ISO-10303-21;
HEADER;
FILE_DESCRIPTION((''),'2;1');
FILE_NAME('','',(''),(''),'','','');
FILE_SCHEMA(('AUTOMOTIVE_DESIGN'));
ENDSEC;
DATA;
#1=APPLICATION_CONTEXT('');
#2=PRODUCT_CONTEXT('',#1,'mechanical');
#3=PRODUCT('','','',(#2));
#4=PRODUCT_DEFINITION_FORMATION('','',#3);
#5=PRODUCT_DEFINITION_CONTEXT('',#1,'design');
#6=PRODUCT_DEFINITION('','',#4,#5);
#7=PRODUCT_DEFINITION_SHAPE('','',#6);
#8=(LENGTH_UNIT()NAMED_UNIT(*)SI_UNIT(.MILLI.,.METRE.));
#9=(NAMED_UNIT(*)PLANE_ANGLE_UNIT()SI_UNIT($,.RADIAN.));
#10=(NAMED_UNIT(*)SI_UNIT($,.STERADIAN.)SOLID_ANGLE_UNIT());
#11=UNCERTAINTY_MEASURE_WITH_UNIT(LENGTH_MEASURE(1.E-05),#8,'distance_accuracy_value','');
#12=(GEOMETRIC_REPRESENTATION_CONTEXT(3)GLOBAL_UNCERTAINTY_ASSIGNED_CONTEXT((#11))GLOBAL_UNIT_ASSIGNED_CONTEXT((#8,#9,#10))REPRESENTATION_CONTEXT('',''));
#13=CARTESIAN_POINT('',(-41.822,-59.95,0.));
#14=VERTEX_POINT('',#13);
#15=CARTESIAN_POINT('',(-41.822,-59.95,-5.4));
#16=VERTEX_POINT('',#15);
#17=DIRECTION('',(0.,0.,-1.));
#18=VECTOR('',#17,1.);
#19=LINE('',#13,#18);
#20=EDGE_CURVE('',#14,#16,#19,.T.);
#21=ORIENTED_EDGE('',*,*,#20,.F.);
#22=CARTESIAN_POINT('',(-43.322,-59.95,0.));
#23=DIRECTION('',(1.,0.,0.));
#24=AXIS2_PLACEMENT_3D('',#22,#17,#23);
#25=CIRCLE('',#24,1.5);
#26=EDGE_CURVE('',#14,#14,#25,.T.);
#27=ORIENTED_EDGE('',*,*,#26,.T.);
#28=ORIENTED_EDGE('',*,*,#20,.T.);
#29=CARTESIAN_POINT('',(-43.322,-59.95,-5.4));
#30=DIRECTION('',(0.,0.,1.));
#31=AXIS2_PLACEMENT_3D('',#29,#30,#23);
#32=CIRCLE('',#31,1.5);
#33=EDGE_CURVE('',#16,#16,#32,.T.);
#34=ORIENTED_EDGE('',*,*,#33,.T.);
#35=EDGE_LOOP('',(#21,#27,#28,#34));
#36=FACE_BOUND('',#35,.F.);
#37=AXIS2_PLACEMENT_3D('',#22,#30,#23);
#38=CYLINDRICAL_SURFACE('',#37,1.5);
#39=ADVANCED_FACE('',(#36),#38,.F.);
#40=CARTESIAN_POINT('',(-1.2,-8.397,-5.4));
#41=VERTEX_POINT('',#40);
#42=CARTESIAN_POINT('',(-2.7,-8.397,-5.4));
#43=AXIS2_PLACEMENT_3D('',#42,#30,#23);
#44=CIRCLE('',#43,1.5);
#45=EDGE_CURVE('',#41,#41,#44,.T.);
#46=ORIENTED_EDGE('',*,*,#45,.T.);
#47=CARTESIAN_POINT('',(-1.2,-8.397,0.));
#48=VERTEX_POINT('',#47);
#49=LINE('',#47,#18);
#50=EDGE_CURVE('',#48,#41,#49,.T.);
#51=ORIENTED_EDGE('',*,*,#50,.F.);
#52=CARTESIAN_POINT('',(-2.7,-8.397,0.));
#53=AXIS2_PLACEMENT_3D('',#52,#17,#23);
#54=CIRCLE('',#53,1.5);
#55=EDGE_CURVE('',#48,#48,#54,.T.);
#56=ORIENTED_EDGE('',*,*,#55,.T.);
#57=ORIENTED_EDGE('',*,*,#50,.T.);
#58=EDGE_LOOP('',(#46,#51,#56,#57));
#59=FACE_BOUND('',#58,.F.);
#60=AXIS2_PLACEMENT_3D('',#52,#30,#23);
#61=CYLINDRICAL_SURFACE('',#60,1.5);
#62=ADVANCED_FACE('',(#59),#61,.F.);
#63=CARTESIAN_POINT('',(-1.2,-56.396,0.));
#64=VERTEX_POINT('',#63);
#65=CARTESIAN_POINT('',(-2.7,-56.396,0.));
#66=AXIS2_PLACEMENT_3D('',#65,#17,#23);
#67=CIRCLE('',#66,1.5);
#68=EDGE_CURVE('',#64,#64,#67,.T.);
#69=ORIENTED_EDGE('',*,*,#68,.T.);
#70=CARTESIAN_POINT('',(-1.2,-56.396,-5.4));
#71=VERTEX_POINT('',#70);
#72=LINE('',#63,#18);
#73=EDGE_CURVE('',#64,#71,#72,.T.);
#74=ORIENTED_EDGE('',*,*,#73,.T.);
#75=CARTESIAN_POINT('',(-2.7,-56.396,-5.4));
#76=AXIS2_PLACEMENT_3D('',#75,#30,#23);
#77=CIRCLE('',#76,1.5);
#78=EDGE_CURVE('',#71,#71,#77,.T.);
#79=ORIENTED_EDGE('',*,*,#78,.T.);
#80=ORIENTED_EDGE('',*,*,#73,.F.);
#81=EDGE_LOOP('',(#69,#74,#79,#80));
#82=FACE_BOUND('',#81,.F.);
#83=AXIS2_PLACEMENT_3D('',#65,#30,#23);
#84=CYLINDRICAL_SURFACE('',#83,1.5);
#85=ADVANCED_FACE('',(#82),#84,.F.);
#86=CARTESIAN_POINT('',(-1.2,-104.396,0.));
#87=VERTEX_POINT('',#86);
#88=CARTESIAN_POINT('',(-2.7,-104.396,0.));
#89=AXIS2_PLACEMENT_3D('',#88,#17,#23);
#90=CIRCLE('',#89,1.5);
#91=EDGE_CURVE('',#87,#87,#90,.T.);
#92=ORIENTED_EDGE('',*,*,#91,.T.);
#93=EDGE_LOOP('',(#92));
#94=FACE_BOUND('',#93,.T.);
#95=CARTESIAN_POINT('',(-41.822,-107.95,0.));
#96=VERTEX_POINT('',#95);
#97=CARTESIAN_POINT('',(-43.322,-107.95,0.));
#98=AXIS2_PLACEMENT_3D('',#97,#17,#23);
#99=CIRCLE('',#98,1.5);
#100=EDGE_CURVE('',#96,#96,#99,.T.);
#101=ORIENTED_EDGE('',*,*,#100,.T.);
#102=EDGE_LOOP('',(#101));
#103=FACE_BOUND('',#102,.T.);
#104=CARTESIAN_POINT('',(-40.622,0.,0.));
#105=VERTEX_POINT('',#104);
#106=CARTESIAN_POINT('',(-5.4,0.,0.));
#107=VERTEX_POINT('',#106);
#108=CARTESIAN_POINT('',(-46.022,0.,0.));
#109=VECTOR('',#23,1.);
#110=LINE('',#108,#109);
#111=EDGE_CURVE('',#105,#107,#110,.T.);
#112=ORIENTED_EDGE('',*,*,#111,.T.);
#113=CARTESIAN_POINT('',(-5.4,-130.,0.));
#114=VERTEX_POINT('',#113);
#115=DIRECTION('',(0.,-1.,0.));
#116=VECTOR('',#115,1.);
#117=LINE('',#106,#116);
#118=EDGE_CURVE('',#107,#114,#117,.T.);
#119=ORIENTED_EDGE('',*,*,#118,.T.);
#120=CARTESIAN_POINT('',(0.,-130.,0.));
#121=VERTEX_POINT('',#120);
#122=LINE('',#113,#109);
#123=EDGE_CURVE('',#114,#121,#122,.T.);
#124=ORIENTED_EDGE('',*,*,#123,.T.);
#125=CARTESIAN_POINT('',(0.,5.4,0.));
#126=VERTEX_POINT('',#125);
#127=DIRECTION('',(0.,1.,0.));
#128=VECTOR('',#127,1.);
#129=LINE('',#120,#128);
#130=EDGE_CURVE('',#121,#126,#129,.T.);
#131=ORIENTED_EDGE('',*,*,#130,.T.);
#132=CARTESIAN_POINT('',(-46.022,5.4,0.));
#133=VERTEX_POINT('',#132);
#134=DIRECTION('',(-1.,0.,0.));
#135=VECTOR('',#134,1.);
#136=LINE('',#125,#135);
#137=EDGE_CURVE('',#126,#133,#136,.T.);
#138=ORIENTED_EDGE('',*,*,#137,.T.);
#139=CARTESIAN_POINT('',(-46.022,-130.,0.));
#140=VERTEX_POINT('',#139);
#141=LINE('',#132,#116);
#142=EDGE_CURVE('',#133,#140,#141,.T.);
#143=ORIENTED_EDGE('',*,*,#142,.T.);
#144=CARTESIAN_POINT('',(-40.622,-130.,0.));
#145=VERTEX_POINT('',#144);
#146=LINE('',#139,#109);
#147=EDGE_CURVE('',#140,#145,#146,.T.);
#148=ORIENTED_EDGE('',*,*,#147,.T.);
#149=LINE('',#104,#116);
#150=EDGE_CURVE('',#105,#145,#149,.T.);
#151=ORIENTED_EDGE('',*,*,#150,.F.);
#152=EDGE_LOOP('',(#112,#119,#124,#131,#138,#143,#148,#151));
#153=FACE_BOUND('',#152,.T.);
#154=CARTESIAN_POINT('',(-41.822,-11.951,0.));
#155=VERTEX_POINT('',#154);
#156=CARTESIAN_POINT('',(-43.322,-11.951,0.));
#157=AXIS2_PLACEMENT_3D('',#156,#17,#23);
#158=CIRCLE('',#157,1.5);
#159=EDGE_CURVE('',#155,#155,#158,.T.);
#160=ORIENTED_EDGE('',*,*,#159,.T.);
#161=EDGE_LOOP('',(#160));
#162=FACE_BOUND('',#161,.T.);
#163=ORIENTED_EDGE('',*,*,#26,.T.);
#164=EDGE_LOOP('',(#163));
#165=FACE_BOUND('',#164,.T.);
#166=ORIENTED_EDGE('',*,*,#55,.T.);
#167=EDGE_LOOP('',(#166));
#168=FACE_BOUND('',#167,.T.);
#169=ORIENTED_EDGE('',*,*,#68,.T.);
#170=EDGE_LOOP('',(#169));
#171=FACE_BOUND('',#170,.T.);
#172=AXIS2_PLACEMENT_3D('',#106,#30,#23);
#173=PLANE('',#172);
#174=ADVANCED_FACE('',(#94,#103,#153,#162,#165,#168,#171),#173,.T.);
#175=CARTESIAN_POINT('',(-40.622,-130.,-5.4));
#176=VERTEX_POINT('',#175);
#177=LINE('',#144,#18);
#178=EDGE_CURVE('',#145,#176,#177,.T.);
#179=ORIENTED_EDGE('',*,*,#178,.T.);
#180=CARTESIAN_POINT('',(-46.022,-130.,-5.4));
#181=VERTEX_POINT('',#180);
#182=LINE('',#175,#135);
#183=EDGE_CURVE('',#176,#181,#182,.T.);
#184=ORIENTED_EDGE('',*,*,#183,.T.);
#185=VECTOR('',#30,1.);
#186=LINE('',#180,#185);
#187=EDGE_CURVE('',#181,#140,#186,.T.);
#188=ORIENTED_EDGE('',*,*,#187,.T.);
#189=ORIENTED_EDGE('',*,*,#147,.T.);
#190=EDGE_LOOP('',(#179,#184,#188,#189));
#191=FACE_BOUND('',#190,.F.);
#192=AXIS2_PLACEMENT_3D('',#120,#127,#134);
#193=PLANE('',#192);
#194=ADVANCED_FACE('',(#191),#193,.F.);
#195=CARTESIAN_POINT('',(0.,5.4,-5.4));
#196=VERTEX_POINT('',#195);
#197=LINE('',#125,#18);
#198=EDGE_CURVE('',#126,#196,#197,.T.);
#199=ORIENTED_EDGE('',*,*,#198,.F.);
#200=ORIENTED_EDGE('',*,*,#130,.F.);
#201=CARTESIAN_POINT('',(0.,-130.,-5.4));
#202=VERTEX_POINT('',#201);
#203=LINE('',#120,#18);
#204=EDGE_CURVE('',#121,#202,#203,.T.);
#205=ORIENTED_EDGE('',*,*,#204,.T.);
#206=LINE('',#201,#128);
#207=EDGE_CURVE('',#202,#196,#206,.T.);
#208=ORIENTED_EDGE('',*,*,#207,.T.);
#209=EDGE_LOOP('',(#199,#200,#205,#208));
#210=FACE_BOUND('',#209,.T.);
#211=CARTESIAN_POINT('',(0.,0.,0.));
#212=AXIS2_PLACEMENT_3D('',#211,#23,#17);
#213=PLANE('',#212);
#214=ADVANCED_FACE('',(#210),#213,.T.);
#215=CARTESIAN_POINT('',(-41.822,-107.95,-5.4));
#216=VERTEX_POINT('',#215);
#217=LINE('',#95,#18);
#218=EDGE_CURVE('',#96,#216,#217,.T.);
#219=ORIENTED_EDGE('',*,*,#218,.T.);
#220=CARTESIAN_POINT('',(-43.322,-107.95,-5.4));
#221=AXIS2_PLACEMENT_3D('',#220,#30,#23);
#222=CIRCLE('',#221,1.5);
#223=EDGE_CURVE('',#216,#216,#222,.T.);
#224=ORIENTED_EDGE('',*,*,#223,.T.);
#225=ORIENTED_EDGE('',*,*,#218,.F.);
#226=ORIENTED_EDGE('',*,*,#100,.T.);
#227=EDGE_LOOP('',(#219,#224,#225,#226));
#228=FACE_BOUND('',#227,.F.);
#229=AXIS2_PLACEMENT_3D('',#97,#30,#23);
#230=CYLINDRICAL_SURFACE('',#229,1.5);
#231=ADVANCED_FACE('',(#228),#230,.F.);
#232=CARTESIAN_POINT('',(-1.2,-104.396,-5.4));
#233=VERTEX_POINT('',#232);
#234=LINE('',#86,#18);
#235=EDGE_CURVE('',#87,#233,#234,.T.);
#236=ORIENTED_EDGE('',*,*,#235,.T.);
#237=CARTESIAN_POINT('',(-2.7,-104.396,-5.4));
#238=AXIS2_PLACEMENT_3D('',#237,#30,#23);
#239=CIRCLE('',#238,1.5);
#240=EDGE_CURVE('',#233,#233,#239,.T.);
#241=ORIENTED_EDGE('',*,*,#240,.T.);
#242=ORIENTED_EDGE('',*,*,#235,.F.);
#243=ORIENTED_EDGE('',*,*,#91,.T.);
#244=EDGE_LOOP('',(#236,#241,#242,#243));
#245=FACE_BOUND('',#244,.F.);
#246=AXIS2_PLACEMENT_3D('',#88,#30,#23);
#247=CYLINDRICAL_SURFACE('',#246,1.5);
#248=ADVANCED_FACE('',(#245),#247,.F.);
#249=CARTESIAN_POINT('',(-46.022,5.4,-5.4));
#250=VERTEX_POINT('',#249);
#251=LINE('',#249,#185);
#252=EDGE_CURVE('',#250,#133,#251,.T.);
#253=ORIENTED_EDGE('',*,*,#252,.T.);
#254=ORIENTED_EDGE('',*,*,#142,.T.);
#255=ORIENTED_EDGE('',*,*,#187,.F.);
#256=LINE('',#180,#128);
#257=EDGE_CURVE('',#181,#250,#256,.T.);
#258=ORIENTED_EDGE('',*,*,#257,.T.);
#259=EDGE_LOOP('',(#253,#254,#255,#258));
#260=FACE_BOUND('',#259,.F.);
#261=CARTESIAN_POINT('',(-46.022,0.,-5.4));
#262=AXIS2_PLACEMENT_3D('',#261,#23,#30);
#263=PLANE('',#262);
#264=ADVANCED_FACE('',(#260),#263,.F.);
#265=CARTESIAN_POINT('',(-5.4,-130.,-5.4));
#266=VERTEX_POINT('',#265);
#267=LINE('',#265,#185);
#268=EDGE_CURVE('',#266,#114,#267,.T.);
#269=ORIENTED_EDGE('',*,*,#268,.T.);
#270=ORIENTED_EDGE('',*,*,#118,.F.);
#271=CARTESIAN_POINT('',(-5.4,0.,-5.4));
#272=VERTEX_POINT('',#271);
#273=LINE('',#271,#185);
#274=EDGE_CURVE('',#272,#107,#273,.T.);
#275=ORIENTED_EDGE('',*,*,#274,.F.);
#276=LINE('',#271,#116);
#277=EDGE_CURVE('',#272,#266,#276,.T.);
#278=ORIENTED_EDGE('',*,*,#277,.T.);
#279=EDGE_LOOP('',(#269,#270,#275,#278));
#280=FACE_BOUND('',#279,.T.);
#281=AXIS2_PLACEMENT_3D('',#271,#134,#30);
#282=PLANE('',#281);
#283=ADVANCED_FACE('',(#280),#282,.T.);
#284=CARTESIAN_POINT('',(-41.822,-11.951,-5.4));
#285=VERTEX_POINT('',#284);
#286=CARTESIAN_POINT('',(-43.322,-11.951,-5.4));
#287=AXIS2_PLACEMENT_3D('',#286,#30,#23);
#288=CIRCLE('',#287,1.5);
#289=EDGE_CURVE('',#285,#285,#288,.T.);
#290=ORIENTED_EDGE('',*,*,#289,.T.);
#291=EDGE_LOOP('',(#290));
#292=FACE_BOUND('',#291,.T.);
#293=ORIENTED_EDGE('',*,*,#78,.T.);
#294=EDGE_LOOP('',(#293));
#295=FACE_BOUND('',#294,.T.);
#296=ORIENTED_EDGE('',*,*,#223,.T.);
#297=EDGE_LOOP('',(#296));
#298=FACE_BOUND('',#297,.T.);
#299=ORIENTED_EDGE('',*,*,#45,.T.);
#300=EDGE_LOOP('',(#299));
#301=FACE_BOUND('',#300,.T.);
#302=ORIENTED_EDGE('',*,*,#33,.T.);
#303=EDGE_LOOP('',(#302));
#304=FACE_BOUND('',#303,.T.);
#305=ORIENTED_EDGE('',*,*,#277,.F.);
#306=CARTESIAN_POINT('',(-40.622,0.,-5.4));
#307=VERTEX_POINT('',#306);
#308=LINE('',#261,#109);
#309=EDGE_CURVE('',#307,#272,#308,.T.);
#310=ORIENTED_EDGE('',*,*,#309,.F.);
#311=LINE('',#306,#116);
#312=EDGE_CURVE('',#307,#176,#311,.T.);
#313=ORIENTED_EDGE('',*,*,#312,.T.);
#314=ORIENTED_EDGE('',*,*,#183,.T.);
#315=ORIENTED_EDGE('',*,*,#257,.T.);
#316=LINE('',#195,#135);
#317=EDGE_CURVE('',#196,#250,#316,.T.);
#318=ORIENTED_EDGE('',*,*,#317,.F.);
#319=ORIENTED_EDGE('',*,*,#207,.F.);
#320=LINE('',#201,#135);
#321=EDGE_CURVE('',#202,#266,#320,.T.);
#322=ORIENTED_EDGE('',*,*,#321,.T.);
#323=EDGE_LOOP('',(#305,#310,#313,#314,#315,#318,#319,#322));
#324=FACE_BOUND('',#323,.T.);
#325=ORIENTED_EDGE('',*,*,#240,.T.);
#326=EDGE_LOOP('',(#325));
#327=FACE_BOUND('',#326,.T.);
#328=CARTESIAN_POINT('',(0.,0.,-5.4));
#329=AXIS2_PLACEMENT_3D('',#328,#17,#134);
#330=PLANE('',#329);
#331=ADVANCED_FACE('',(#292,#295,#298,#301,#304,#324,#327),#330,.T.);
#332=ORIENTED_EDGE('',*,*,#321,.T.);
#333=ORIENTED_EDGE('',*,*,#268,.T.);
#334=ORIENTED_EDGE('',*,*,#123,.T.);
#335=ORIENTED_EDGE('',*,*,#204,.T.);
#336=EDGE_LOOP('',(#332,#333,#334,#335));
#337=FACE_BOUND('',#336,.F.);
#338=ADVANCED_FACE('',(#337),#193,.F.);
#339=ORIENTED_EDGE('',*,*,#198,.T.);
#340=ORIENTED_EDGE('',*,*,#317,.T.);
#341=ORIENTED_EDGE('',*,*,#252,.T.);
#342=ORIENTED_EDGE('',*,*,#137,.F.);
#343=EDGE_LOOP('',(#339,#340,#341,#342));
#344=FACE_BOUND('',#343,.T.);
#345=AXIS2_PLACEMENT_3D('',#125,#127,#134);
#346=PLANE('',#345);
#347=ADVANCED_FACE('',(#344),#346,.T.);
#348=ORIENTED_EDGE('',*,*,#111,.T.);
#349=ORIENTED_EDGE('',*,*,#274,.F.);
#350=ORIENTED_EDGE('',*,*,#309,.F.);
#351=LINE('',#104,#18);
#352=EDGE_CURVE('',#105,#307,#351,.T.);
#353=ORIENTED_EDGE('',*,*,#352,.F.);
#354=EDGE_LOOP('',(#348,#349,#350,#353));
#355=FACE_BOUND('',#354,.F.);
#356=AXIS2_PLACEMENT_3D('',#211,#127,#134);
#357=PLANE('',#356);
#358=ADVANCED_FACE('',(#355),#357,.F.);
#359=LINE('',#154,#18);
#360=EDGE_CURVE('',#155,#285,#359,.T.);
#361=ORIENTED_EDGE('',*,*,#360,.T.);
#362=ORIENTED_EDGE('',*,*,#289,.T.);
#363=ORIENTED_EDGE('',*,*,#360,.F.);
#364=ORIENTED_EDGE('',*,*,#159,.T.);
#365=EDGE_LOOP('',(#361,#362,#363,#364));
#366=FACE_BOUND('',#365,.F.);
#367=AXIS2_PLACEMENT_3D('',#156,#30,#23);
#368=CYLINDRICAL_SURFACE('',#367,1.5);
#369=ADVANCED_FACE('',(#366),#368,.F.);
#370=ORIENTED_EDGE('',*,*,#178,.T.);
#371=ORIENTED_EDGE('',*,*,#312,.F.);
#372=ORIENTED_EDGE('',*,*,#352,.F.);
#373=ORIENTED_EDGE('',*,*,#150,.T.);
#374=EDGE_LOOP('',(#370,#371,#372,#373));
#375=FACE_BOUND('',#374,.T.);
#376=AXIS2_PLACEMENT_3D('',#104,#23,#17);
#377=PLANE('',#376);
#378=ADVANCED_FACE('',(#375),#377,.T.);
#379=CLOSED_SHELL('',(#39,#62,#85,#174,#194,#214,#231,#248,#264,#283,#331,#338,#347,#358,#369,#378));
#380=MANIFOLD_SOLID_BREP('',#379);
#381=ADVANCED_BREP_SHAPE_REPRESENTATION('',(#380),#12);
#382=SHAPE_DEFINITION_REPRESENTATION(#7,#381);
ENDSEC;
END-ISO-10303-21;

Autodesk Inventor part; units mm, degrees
ref_plane "YZ Plane" through (0, 0, 0) normal (1, 0, 0) x (0, 1, 0)
ref_plane "XZ Plane" through (0, 0, 0) normal (0, 1, 0) x (-1, 0, 0)
ref_plane "XY Plane" through (0, 0, 0) normal (0, 0, 1) x (1, 0, 0)
sketch "Esboço1" plane through (0, 0, 0) normal (0, 1, 0) x (-1, 0, 0)
  line L0 (0, 0) -> (0, -5.4)
  line L1 (0, -5.4) -> (5.4, -5.4)
  line L2 (5.4, -5.4) -> (5.4, 0)
  line L3 (5.4, 0) -> (0, 0)
  line L4 (40.622, 0) -> (40.622, -5.4)
  line L5 (40.622, -5.4) -> (46.022, -5.4)
  line L6 (46.022, -5.4) -> (46.022, 0)
  line L7 (46.022, 0) -> (40.622, 0)
  line L8 (40.622, 0) -> (5.4, 0)
  line L9 (5.4, -5.4) -> (40.622, -5.4)
  point P0 (0, -2.7)
  point P1 (5.4, -2.7)
  point P2 (40.622, -2.7)
  point P3 (46.022, -2.7)
  point P4 (43.322, -5.4)
  point P5 (2.7, -5.4)
  point P6 (43.322, 0)
  point P7 (2.7, 0)
  point P8 (0, 0)
  dimension "d29" = 35.222
  dimension "d30" = 5.4
extrude "Extrusão1" add sketch "Esboço1" against normal blind 130 contours L3 L2 L1 L0 | L7 L6 L5 L4
extrude "Extrusão4" add sketch "Esboço1" along normal blind 5.4
sketch "Esboço5" plane through (-40.622, 0, 0) normal (0, 0, 1) x (1, 0, 0)
  circle A0 centre (37.922, -104.396) radius 1.5
  circle A1 centre (37.922, -56.396) radius 1.5
  circle A2 centre (37.922, -8.397) radius 1.5
  circle A3 centre (-2.7, -107.95) radius 1.5
  circle A4 centre (-2.7, -59.95) radius 1.5
  circle A5 centre (-2.7, -11.951) radius 1.5
  line L0 (40.622, -130) -> (35.222, -130) projected
  line L1 (0, -130) -> (-5.4, -130) projected
  line L2 (37.7913, -105.8903) -> (103.7232, -105.8903) construction
  line L3 (38.0527, -57.8903) -> (-2.5693, -61.4443)
  line L4 (38.0527, -9.8913) -> (-2.5693, -13.4453)
  line L5 (-2.5693, -109.4443) -> (38.0527, -105.8903)
  point P0 (40.622, 0)
  point P1 (37.922, -130)
  point P2 (-2.7, -130)
  dimension "d33" = 3
  dimension "d34" = 3
  dimension "d36" = 3
  dimension "d38" = 3
  dimension "d40" = 3
  dimension "d42" = 3
  dimension "d44" = 25.604
  dimension "d45" = 48
  dimension "d46" = 47.999
  dimension "d52" = 5
extrude "Extrusão5" cut sketch "Esboço5" against normal through all
equation "\"d29\" = Largura_trilhos"
equation "\"d33\" = Parafuso"
equation "\"d34\" = d35"
equation "\"d36\" = d37"
equation "\"d38\" = d39"
equation "\"d40\" = d41"
equation "\"d42\" = d43"
equation "\"Largura_trilhos\" = 35.222"
equation "\"Parafuso\" = 3"
equation "\"d11\" = 3"
equation "\"d13\" = 3"
equation "\"d15\" = 3"
equation "\"d17\" = 3"
equation "\"d19\" = 3"
equation "\"d35\" = 3"
equation "\"d37\" = 3"
equation "\"d39\" = 3"
equation "\"d41\" = 3"
equation "\"d43\" = 3"
properties part number "Sustentação Trilhos fixos" material "Plástico PET"
